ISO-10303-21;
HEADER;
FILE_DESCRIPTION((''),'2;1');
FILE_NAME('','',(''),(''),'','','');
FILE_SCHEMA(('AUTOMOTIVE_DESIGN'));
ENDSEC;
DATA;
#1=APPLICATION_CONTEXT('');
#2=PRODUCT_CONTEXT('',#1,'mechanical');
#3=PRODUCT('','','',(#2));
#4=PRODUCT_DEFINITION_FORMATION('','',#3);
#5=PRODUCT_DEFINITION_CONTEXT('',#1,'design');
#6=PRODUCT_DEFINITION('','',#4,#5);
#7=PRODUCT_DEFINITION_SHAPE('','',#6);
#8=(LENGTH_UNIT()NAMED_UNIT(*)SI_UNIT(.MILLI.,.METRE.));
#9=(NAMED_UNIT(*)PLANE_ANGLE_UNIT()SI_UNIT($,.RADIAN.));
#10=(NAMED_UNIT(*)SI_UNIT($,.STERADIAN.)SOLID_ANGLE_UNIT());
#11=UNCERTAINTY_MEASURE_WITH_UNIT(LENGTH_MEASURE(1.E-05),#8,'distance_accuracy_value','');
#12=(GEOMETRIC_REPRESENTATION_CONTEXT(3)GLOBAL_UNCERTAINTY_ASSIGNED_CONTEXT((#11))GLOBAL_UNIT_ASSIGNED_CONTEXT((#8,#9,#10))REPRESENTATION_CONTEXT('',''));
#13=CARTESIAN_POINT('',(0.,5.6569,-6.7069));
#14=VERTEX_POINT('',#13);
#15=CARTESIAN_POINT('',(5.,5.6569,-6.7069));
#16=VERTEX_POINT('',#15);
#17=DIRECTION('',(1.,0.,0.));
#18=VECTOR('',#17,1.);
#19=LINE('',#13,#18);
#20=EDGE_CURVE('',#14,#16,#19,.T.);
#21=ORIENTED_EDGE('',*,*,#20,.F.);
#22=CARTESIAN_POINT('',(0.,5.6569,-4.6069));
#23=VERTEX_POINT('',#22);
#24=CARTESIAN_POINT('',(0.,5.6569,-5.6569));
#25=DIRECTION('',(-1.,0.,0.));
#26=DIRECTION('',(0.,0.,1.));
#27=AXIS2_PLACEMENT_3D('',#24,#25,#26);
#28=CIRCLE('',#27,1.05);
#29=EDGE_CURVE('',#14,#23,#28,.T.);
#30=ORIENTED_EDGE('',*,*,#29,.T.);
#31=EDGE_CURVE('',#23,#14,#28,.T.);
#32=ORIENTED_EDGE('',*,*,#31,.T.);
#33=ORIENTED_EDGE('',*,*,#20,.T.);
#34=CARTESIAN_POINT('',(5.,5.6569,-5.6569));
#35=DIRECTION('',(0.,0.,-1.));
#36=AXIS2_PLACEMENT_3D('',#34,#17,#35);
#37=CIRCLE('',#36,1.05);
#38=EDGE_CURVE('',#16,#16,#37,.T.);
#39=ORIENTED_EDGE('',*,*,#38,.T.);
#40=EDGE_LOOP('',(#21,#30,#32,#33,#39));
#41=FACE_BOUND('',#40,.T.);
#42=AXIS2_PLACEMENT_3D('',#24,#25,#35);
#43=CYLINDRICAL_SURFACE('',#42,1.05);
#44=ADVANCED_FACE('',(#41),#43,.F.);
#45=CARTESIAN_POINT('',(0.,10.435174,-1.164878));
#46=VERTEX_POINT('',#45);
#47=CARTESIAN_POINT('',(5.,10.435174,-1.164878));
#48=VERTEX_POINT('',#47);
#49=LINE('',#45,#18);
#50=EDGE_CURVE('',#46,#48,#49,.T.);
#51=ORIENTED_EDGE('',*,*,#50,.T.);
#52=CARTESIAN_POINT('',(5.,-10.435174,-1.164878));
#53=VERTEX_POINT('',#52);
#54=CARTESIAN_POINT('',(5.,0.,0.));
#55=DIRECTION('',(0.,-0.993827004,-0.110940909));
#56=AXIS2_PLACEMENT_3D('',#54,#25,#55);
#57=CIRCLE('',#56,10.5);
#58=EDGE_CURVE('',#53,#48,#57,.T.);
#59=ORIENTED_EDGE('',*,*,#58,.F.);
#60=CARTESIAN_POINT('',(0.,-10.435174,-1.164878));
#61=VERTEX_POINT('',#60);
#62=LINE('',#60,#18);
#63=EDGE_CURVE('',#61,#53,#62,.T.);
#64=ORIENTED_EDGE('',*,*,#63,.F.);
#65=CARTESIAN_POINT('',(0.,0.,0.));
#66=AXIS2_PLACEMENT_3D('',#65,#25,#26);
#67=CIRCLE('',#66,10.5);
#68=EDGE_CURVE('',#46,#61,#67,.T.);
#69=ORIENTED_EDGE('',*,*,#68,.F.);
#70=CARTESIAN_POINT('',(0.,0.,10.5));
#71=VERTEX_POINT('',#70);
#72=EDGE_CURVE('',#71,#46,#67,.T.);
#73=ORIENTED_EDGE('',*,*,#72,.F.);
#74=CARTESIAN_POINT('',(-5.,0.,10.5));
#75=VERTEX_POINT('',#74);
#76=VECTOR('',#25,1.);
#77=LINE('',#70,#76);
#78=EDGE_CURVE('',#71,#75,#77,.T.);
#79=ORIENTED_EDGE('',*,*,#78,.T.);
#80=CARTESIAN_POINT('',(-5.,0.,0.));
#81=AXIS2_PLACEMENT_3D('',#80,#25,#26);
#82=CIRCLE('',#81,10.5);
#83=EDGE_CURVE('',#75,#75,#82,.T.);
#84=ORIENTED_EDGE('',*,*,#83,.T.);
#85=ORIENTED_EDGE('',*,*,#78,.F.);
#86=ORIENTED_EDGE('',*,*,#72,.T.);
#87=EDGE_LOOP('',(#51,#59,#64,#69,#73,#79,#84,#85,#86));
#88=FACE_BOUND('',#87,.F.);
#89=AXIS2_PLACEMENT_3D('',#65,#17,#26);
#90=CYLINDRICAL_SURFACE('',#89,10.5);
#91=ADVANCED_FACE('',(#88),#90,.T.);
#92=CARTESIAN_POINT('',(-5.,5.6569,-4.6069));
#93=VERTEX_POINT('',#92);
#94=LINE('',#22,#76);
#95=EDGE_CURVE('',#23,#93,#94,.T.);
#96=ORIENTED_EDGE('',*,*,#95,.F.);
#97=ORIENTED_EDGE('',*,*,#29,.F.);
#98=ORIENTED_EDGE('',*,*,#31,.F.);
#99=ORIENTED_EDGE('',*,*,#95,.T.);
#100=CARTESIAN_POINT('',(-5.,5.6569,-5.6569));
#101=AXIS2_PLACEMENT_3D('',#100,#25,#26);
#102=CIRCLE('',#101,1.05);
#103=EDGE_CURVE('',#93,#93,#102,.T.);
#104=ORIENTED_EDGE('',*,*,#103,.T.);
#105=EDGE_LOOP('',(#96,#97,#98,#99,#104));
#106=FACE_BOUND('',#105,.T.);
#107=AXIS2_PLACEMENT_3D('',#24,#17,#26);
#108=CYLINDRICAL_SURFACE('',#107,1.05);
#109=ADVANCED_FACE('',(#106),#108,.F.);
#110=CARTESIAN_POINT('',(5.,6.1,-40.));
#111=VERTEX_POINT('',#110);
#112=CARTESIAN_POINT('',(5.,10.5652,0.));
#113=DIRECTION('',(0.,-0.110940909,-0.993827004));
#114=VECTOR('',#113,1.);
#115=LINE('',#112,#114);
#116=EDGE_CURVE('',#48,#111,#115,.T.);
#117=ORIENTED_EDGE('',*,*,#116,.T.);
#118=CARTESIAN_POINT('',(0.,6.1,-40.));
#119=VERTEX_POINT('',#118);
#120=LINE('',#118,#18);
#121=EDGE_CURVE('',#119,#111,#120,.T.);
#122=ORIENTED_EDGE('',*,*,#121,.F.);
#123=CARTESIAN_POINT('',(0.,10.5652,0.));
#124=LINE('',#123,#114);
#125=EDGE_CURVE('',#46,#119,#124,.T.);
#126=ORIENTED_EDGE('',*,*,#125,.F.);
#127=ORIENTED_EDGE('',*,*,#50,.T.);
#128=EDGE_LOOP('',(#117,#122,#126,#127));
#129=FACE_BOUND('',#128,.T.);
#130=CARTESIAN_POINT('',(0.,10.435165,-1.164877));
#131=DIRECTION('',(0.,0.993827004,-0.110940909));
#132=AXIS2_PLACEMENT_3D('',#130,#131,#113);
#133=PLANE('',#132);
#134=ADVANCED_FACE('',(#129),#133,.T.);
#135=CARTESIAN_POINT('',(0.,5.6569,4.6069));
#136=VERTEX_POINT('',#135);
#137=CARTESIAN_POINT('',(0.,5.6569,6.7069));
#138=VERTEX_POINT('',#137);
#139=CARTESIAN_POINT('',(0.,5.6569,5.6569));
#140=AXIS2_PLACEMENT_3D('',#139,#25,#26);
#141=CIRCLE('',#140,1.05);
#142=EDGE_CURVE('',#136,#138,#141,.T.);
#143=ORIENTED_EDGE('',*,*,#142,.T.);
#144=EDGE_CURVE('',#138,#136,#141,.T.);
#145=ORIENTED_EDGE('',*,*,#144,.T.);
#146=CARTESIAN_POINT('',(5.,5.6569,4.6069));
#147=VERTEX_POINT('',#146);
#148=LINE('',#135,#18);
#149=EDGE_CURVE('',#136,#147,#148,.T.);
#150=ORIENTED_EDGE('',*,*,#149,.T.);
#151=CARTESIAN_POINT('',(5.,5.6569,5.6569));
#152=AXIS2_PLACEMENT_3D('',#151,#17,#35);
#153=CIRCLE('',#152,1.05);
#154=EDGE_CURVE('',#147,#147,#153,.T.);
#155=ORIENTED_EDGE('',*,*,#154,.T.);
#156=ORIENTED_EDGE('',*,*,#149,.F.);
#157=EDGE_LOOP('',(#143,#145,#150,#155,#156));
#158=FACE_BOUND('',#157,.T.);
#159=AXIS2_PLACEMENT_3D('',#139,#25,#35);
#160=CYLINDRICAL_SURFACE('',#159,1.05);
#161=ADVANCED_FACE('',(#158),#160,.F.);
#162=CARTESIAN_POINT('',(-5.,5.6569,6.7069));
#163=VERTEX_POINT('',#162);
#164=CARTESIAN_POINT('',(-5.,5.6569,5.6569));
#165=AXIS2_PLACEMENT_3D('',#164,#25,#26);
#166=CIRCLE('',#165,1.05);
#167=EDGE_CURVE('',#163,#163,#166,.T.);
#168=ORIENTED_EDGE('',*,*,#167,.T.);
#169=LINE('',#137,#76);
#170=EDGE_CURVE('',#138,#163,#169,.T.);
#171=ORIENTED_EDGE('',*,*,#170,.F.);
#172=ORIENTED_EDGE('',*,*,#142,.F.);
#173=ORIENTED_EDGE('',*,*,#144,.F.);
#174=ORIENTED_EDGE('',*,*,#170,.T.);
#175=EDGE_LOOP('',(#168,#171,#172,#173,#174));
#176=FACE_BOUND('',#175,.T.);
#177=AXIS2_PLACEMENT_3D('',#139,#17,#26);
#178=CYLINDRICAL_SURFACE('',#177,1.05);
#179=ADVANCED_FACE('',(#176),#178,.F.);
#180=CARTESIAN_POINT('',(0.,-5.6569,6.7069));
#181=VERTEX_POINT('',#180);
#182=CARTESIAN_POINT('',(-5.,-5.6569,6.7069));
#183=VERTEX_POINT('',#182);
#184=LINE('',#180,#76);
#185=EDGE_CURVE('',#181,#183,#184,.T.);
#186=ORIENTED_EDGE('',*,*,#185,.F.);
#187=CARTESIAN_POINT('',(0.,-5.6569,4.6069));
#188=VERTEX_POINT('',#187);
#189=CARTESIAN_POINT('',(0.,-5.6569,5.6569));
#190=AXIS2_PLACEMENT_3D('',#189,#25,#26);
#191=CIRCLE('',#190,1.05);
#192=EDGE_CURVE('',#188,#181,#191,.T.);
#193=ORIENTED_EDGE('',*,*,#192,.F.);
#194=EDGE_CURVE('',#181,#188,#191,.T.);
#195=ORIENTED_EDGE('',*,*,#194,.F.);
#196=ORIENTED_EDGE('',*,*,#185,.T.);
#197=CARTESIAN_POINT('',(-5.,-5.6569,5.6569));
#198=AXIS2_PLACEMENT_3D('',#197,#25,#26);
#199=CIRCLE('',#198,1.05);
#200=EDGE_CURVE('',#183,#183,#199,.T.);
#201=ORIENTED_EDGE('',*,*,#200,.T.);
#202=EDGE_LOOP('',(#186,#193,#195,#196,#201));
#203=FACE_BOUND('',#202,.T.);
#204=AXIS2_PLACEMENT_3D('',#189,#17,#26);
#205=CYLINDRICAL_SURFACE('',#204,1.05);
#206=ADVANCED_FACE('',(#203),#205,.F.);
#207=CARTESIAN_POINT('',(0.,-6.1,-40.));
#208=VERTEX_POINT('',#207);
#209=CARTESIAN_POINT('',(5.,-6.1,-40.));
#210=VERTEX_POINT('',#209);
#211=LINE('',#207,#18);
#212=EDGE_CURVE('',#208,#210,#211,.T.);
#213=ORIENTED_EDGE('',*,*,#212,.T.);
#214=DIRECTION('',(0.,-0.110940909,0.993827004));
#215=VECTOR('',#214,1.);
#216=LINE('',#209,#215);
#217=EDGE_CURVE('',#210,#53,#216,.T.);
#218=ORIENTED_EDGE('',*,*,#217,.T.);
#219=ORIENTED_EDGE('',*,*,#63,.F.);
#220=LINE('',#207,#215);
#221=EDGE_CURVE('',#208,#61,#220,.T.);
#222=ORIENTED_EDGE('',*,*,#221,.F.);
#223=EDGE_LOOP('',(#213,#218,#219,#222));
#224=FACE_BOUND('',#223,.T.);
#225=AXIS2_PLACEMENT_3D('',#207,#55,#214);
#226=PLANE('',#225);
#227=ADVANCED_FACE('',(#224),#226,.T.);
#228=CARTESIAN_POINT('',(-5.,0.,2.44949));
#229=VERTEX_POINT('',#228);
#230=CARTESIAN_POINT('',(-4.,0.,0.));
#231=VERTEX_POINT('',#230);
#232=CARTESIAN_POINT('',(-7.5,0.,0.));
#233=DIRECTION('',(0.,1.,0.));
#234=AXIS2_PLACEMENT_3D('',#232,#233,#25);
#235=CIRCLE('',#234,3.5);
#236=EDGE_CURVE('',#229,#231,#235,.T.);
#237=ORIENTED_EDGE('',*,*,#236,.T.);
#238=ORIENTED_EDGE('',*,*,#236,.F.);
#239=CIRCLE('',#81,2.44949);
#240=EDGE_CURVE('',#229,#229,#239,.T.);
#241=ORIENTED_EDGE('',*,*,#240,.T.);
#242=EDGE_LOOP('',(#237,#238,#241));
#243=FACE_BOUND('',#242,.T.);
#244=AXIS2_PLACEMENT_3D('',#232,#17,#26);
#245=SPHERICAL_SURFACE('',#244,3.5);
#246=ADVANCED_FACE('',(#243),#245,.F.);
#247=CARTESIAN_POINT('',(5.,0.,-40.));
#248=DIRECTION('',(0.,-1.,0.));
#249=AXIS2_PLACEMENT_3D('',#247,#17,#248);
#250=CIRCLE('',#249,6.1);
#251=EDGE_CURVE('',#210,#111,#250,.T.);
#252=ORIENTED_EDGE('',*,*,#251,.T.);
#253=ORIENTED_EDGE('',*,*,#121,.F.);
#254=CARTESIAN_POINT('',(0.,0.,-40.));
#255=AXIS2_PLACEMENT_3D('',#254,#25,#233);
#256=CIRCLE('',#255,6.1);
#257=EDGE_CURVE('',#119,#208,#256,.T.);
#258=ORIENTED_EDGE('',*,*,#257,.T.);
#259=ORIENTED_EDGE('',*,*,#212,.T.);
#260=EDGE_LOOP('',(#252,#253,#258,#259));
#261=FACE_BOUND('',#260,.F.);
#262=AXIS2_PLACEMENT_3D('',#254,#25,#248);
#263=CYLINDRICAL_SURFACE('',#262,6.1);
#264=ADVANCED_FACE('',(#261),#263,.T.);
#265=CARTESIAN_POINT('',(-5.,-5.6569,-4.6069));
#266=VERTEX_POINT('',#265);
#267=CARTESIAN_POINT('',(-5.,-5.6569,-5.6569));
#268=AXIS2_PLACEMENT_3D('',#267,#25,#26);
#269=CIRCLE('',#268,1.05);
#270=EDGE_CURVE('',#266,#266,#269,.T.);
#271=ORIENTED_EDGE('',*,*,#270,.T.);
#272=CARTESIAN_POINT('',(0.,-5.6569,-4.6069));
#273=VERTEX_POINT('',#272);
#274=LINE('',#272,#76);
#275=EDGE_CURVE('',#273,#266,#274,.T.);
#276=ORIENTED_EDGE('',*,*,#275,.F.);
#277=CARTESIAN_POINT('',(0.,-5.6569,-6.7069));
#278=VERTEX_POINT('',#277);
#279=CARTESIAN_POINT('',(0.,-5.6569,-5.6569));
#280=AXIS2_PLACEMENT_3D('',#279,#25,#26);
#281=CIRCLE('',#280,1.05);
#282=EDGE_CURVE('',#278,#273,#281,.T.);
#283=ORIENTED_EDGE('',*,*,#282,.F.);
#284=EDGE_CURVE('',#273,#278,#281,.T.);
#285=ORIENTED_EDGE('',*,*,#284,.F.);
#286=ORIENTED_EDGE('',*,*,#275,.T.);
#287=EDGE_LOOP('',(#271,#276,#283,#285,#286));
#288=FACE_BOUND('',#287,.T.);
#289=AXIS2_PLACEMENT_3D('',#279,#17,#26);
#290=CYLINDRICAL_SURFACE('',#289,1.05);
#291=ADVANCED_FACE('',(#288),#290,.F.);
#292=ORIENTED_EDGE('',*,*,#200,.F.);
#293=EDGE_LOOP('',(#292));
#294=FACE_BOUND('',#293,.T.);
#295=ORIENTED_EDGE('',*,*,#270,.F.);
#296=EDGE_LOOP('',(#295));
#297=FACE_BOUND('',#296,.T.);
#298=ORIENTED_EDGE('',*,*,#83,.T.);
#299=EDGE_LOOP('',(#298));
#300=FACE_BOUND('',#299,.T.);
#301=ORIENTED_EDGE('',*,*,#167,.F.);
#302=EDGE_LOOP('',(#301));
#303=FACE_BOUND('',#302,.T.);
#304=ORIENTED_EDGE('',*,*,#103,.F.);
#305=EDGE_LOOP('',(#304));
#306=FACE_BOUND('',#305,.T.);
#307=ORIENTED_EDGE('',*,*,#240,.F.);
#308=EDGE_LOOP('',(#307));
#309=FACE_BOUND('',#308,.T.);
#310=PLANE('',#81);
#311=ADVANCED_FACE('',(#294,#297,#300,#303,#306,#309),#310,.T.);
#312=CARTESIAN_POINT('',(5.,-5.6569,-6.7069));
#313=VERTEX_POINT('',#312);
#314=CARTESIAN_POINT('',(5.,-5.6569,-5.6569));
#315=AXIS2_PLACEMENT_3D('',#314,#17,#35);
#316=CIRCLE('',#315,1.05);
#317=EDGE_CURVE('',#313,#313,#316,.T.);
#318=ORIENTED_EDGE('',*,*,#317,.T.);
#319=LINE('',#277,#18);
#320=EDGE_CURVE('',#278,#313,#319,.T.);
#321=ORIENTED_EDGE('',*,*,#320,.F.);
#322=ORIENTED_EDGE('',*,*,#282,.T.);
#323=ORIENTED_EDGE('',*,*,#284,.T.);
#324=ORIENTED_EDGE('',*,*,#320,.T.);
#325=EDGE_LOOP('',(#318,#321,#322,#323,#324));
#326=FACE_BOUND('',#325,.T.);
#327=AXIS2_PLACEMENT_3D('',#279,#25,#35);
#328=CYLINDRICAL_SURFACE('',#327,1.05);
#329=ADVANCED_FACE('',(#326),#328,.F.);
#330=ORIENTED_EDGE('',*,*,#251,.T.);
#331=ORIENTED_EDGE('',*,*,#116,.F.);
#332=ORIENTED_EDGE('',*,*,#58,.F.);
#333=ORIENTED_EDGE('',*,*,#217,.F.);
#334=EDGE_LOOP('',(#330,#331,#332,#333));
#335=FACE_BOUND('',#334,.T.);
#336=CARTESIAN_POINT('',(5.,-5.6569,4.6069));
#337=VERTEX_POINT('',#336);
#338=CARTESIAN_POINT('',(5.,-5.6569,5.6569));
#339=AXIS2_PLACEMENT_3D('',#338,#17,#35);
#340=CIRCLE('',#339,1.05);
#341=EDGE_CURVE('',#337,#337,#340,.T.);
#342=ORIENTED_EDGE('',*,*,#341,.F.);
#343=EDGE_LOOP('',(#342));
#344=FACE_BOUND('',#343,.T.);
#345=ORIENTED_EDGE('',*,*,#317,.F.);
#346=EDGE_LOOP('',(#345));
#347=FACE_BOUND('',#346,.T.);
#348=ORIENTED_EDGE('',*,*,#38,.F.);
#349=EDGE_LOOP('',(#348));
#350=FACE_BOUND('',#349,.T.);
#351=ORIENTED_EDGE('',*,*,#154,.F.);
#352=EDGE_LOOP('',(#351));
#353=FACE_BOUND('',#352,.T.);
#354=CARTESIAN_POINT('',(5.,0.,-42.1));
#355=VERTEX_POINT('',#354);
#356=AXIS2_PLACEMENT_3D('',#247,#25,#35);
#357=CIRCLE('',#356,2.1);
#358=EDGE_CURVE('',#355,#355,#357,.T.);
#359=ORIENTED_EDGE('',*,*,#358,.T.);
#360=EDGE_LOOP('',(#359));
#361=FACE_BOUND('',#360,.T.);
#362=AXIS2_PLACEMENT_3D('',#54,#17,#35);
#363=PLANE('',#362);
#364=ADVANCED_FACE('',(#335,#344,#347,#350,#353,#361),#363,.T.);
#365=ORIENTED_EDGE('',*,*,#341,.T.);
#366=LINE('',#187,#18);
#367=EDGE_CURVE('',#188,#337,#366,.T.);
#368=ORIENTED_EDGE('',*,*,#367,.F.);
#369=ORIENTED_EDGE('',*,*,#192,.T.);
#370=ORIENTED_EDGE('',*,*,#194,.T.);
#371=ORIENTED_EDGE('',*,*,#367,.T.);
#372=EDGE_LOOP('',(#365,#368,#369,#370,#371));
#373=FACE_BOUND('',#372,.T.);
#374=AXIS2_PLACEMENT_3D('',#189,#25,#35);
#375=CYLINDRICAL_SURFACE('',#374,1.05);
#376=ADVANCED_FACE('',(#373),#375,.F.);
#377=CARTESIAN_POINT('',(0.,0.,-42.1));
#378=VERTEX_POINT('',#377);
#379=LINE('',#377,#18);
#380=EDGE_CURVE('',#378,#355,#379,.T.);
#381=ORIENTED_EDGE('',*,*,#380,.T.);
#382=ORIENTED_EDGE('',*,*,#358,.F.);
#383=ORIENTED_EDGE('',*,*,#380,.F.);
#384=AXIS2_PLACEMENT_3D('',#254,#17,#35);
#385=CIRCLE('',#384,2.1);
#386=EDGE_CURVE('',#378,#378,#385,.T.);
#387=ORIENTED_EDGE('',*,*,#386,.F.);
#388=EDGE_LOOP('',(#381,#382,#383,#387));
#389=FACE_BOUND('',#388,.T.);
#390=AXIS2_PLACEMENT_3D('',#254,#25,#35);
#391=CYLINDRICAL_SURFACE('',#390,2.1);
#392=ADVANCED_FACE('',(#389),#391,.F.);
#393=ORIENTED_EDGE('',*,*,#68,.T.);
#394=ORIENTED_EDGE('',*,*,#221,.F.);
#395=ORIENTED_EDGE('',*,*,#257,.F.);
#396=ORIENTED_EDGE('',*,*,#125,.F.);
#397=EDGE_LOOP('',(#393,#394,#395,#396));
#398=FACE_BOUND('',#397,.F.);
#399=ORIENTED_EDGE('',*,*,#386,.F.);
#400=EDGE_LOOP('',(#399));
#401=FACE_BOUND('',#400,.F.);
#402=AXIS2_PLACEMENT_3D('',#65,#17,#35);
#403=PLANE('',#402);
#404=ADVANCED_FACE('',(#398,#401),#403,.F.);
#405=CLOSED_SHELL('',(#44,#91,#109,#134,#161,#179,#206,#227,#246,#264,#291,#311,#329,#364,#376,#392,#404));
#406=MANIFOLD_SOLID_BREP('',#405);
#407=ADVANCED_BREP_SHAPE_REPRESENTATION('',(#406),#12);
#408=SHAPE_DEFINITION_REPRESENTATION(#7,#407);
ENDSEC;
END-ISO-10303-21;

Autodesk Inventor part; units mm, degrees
ref_plane "YZ Plane" through (0, 0, 0) normal (1, 0, 0) x (0, 1, 0)
ref_plane "XZ Plane" through (0, 0, 0) normal (0, 1, 0) x (-1, 0, 0)
ref_plane "XY Plane" through (0, 0, 0) normal (0, 0, 1) x (1, 0, 0)
sketch "Esquisse2" plane through (0, 0, 0) normal (-1, 0, 0) x (0, 0, 1)
  circle A0 centre (0, 0) radius 8 construction
  circle A1 centre (0, 0) radius 10.5
  line L0 (0, 0) -> (5.6569, 5.6569) construction
  line L1 (0, 0) -> (8, 0) construction
  circle A2 centre (5.6569, 5.6569) radius 1.05
  circle A3 centre (-5.6569, 5.6569) radius 1.05
  circle A4 centre (-5.6569, -5.6569) radius 1.05
  circle A5 centre (5.6569, -5.6569) radius 1.05
  circle A6 centre (0, 0) radius 2 projected
  dimension "d30" = 16
  dimension "d13" = 45
  dimension "d14" = 2.1
  dimension "d17" = 360
  dimension "d29" = 21
extrude "Extrusion5" add sketch "Esquisse2" along normal blind 5 contours A1 | A6
sketch "Esquisse6" plane through (0, 0, 0) normal (0, 1, 0) x (-1, 0, 0)
  circle A0 centre (7.5, 0) radius 3.5
  line L0 (4, 0) -> (7.5, 0)
  line L1 (10.8, 0) -> (-1.8, 0) projected
  line L2 (5, -10.5) -> (5, 10.5) projected
  point P0 (0, 0)
  point P1 (5, 0)
  point P2 (5, 2.4495)
  dimension "d46" = 7
  dimension "d48" = 1
revolve "Révolution1" cut sketch "Esquisse6" angle 360 about axis through (-4, 0, 0) along (-1, 0, 0) picked at (4.8584, 1.4572) contours L2 L0 A0
sketch "Esquisse7" plane through (0, 0, 0) normal (1, 0, 0) x (0, 0, -1)
  circle A0 centre (0, 0) radius 10.5 projected
  circle A1 centre (-5.6569, -5.6569) radius 1.05 projected
  circle A2 centre (5.6569, -5.6569) radius 1.05 projected
  circle A3 centre (5.6569, 5.6569) radius 1.05 projected
  circle A4 centre (-5.6569, 5.6569) radius 1.05 projected
  circle A5 centre (0, 0) radius 10.5 projected
  line L0 (0, 10.5652) -> (40, 6.1)
  line L1 (40, 6.1) -> (40, -6.1)
  line L2 (40, -6.1) -> (0, -10.5652)
  line L3 (0, -10.5652) -> (0, 10.5652)
  arc A6 (40, -6.1) -> (40, 6.1) centre (40, 0) ccw
  circle A7 centre (40, 0) radius 2.1
  line L4 (0, -14.7913) -> (0, 14.7913) projected
  line L5 (57.42, 0) -> (-21.82, 0) projected
  point P0 (1.1649, 10.4352)
  point P1 (1.1649, -10.4352)
  dimension "d49" = 40
  dimension "d53" = 4.2
  dimension "d54" = 4
extrude "Extrusion9" add sketch "Esquisse7" along normal blind 5 contours L5 L3 A0 | L5 A7 L1 L2 A0 | A0 L0 L1 A7 L5 | A0 L3 L5 | L5 A0 L3 | L3 A0 L5 | A6 L5 A7 L1 | L1 A7 L5 A6
properties part number "Biellette moteur-doigts"
